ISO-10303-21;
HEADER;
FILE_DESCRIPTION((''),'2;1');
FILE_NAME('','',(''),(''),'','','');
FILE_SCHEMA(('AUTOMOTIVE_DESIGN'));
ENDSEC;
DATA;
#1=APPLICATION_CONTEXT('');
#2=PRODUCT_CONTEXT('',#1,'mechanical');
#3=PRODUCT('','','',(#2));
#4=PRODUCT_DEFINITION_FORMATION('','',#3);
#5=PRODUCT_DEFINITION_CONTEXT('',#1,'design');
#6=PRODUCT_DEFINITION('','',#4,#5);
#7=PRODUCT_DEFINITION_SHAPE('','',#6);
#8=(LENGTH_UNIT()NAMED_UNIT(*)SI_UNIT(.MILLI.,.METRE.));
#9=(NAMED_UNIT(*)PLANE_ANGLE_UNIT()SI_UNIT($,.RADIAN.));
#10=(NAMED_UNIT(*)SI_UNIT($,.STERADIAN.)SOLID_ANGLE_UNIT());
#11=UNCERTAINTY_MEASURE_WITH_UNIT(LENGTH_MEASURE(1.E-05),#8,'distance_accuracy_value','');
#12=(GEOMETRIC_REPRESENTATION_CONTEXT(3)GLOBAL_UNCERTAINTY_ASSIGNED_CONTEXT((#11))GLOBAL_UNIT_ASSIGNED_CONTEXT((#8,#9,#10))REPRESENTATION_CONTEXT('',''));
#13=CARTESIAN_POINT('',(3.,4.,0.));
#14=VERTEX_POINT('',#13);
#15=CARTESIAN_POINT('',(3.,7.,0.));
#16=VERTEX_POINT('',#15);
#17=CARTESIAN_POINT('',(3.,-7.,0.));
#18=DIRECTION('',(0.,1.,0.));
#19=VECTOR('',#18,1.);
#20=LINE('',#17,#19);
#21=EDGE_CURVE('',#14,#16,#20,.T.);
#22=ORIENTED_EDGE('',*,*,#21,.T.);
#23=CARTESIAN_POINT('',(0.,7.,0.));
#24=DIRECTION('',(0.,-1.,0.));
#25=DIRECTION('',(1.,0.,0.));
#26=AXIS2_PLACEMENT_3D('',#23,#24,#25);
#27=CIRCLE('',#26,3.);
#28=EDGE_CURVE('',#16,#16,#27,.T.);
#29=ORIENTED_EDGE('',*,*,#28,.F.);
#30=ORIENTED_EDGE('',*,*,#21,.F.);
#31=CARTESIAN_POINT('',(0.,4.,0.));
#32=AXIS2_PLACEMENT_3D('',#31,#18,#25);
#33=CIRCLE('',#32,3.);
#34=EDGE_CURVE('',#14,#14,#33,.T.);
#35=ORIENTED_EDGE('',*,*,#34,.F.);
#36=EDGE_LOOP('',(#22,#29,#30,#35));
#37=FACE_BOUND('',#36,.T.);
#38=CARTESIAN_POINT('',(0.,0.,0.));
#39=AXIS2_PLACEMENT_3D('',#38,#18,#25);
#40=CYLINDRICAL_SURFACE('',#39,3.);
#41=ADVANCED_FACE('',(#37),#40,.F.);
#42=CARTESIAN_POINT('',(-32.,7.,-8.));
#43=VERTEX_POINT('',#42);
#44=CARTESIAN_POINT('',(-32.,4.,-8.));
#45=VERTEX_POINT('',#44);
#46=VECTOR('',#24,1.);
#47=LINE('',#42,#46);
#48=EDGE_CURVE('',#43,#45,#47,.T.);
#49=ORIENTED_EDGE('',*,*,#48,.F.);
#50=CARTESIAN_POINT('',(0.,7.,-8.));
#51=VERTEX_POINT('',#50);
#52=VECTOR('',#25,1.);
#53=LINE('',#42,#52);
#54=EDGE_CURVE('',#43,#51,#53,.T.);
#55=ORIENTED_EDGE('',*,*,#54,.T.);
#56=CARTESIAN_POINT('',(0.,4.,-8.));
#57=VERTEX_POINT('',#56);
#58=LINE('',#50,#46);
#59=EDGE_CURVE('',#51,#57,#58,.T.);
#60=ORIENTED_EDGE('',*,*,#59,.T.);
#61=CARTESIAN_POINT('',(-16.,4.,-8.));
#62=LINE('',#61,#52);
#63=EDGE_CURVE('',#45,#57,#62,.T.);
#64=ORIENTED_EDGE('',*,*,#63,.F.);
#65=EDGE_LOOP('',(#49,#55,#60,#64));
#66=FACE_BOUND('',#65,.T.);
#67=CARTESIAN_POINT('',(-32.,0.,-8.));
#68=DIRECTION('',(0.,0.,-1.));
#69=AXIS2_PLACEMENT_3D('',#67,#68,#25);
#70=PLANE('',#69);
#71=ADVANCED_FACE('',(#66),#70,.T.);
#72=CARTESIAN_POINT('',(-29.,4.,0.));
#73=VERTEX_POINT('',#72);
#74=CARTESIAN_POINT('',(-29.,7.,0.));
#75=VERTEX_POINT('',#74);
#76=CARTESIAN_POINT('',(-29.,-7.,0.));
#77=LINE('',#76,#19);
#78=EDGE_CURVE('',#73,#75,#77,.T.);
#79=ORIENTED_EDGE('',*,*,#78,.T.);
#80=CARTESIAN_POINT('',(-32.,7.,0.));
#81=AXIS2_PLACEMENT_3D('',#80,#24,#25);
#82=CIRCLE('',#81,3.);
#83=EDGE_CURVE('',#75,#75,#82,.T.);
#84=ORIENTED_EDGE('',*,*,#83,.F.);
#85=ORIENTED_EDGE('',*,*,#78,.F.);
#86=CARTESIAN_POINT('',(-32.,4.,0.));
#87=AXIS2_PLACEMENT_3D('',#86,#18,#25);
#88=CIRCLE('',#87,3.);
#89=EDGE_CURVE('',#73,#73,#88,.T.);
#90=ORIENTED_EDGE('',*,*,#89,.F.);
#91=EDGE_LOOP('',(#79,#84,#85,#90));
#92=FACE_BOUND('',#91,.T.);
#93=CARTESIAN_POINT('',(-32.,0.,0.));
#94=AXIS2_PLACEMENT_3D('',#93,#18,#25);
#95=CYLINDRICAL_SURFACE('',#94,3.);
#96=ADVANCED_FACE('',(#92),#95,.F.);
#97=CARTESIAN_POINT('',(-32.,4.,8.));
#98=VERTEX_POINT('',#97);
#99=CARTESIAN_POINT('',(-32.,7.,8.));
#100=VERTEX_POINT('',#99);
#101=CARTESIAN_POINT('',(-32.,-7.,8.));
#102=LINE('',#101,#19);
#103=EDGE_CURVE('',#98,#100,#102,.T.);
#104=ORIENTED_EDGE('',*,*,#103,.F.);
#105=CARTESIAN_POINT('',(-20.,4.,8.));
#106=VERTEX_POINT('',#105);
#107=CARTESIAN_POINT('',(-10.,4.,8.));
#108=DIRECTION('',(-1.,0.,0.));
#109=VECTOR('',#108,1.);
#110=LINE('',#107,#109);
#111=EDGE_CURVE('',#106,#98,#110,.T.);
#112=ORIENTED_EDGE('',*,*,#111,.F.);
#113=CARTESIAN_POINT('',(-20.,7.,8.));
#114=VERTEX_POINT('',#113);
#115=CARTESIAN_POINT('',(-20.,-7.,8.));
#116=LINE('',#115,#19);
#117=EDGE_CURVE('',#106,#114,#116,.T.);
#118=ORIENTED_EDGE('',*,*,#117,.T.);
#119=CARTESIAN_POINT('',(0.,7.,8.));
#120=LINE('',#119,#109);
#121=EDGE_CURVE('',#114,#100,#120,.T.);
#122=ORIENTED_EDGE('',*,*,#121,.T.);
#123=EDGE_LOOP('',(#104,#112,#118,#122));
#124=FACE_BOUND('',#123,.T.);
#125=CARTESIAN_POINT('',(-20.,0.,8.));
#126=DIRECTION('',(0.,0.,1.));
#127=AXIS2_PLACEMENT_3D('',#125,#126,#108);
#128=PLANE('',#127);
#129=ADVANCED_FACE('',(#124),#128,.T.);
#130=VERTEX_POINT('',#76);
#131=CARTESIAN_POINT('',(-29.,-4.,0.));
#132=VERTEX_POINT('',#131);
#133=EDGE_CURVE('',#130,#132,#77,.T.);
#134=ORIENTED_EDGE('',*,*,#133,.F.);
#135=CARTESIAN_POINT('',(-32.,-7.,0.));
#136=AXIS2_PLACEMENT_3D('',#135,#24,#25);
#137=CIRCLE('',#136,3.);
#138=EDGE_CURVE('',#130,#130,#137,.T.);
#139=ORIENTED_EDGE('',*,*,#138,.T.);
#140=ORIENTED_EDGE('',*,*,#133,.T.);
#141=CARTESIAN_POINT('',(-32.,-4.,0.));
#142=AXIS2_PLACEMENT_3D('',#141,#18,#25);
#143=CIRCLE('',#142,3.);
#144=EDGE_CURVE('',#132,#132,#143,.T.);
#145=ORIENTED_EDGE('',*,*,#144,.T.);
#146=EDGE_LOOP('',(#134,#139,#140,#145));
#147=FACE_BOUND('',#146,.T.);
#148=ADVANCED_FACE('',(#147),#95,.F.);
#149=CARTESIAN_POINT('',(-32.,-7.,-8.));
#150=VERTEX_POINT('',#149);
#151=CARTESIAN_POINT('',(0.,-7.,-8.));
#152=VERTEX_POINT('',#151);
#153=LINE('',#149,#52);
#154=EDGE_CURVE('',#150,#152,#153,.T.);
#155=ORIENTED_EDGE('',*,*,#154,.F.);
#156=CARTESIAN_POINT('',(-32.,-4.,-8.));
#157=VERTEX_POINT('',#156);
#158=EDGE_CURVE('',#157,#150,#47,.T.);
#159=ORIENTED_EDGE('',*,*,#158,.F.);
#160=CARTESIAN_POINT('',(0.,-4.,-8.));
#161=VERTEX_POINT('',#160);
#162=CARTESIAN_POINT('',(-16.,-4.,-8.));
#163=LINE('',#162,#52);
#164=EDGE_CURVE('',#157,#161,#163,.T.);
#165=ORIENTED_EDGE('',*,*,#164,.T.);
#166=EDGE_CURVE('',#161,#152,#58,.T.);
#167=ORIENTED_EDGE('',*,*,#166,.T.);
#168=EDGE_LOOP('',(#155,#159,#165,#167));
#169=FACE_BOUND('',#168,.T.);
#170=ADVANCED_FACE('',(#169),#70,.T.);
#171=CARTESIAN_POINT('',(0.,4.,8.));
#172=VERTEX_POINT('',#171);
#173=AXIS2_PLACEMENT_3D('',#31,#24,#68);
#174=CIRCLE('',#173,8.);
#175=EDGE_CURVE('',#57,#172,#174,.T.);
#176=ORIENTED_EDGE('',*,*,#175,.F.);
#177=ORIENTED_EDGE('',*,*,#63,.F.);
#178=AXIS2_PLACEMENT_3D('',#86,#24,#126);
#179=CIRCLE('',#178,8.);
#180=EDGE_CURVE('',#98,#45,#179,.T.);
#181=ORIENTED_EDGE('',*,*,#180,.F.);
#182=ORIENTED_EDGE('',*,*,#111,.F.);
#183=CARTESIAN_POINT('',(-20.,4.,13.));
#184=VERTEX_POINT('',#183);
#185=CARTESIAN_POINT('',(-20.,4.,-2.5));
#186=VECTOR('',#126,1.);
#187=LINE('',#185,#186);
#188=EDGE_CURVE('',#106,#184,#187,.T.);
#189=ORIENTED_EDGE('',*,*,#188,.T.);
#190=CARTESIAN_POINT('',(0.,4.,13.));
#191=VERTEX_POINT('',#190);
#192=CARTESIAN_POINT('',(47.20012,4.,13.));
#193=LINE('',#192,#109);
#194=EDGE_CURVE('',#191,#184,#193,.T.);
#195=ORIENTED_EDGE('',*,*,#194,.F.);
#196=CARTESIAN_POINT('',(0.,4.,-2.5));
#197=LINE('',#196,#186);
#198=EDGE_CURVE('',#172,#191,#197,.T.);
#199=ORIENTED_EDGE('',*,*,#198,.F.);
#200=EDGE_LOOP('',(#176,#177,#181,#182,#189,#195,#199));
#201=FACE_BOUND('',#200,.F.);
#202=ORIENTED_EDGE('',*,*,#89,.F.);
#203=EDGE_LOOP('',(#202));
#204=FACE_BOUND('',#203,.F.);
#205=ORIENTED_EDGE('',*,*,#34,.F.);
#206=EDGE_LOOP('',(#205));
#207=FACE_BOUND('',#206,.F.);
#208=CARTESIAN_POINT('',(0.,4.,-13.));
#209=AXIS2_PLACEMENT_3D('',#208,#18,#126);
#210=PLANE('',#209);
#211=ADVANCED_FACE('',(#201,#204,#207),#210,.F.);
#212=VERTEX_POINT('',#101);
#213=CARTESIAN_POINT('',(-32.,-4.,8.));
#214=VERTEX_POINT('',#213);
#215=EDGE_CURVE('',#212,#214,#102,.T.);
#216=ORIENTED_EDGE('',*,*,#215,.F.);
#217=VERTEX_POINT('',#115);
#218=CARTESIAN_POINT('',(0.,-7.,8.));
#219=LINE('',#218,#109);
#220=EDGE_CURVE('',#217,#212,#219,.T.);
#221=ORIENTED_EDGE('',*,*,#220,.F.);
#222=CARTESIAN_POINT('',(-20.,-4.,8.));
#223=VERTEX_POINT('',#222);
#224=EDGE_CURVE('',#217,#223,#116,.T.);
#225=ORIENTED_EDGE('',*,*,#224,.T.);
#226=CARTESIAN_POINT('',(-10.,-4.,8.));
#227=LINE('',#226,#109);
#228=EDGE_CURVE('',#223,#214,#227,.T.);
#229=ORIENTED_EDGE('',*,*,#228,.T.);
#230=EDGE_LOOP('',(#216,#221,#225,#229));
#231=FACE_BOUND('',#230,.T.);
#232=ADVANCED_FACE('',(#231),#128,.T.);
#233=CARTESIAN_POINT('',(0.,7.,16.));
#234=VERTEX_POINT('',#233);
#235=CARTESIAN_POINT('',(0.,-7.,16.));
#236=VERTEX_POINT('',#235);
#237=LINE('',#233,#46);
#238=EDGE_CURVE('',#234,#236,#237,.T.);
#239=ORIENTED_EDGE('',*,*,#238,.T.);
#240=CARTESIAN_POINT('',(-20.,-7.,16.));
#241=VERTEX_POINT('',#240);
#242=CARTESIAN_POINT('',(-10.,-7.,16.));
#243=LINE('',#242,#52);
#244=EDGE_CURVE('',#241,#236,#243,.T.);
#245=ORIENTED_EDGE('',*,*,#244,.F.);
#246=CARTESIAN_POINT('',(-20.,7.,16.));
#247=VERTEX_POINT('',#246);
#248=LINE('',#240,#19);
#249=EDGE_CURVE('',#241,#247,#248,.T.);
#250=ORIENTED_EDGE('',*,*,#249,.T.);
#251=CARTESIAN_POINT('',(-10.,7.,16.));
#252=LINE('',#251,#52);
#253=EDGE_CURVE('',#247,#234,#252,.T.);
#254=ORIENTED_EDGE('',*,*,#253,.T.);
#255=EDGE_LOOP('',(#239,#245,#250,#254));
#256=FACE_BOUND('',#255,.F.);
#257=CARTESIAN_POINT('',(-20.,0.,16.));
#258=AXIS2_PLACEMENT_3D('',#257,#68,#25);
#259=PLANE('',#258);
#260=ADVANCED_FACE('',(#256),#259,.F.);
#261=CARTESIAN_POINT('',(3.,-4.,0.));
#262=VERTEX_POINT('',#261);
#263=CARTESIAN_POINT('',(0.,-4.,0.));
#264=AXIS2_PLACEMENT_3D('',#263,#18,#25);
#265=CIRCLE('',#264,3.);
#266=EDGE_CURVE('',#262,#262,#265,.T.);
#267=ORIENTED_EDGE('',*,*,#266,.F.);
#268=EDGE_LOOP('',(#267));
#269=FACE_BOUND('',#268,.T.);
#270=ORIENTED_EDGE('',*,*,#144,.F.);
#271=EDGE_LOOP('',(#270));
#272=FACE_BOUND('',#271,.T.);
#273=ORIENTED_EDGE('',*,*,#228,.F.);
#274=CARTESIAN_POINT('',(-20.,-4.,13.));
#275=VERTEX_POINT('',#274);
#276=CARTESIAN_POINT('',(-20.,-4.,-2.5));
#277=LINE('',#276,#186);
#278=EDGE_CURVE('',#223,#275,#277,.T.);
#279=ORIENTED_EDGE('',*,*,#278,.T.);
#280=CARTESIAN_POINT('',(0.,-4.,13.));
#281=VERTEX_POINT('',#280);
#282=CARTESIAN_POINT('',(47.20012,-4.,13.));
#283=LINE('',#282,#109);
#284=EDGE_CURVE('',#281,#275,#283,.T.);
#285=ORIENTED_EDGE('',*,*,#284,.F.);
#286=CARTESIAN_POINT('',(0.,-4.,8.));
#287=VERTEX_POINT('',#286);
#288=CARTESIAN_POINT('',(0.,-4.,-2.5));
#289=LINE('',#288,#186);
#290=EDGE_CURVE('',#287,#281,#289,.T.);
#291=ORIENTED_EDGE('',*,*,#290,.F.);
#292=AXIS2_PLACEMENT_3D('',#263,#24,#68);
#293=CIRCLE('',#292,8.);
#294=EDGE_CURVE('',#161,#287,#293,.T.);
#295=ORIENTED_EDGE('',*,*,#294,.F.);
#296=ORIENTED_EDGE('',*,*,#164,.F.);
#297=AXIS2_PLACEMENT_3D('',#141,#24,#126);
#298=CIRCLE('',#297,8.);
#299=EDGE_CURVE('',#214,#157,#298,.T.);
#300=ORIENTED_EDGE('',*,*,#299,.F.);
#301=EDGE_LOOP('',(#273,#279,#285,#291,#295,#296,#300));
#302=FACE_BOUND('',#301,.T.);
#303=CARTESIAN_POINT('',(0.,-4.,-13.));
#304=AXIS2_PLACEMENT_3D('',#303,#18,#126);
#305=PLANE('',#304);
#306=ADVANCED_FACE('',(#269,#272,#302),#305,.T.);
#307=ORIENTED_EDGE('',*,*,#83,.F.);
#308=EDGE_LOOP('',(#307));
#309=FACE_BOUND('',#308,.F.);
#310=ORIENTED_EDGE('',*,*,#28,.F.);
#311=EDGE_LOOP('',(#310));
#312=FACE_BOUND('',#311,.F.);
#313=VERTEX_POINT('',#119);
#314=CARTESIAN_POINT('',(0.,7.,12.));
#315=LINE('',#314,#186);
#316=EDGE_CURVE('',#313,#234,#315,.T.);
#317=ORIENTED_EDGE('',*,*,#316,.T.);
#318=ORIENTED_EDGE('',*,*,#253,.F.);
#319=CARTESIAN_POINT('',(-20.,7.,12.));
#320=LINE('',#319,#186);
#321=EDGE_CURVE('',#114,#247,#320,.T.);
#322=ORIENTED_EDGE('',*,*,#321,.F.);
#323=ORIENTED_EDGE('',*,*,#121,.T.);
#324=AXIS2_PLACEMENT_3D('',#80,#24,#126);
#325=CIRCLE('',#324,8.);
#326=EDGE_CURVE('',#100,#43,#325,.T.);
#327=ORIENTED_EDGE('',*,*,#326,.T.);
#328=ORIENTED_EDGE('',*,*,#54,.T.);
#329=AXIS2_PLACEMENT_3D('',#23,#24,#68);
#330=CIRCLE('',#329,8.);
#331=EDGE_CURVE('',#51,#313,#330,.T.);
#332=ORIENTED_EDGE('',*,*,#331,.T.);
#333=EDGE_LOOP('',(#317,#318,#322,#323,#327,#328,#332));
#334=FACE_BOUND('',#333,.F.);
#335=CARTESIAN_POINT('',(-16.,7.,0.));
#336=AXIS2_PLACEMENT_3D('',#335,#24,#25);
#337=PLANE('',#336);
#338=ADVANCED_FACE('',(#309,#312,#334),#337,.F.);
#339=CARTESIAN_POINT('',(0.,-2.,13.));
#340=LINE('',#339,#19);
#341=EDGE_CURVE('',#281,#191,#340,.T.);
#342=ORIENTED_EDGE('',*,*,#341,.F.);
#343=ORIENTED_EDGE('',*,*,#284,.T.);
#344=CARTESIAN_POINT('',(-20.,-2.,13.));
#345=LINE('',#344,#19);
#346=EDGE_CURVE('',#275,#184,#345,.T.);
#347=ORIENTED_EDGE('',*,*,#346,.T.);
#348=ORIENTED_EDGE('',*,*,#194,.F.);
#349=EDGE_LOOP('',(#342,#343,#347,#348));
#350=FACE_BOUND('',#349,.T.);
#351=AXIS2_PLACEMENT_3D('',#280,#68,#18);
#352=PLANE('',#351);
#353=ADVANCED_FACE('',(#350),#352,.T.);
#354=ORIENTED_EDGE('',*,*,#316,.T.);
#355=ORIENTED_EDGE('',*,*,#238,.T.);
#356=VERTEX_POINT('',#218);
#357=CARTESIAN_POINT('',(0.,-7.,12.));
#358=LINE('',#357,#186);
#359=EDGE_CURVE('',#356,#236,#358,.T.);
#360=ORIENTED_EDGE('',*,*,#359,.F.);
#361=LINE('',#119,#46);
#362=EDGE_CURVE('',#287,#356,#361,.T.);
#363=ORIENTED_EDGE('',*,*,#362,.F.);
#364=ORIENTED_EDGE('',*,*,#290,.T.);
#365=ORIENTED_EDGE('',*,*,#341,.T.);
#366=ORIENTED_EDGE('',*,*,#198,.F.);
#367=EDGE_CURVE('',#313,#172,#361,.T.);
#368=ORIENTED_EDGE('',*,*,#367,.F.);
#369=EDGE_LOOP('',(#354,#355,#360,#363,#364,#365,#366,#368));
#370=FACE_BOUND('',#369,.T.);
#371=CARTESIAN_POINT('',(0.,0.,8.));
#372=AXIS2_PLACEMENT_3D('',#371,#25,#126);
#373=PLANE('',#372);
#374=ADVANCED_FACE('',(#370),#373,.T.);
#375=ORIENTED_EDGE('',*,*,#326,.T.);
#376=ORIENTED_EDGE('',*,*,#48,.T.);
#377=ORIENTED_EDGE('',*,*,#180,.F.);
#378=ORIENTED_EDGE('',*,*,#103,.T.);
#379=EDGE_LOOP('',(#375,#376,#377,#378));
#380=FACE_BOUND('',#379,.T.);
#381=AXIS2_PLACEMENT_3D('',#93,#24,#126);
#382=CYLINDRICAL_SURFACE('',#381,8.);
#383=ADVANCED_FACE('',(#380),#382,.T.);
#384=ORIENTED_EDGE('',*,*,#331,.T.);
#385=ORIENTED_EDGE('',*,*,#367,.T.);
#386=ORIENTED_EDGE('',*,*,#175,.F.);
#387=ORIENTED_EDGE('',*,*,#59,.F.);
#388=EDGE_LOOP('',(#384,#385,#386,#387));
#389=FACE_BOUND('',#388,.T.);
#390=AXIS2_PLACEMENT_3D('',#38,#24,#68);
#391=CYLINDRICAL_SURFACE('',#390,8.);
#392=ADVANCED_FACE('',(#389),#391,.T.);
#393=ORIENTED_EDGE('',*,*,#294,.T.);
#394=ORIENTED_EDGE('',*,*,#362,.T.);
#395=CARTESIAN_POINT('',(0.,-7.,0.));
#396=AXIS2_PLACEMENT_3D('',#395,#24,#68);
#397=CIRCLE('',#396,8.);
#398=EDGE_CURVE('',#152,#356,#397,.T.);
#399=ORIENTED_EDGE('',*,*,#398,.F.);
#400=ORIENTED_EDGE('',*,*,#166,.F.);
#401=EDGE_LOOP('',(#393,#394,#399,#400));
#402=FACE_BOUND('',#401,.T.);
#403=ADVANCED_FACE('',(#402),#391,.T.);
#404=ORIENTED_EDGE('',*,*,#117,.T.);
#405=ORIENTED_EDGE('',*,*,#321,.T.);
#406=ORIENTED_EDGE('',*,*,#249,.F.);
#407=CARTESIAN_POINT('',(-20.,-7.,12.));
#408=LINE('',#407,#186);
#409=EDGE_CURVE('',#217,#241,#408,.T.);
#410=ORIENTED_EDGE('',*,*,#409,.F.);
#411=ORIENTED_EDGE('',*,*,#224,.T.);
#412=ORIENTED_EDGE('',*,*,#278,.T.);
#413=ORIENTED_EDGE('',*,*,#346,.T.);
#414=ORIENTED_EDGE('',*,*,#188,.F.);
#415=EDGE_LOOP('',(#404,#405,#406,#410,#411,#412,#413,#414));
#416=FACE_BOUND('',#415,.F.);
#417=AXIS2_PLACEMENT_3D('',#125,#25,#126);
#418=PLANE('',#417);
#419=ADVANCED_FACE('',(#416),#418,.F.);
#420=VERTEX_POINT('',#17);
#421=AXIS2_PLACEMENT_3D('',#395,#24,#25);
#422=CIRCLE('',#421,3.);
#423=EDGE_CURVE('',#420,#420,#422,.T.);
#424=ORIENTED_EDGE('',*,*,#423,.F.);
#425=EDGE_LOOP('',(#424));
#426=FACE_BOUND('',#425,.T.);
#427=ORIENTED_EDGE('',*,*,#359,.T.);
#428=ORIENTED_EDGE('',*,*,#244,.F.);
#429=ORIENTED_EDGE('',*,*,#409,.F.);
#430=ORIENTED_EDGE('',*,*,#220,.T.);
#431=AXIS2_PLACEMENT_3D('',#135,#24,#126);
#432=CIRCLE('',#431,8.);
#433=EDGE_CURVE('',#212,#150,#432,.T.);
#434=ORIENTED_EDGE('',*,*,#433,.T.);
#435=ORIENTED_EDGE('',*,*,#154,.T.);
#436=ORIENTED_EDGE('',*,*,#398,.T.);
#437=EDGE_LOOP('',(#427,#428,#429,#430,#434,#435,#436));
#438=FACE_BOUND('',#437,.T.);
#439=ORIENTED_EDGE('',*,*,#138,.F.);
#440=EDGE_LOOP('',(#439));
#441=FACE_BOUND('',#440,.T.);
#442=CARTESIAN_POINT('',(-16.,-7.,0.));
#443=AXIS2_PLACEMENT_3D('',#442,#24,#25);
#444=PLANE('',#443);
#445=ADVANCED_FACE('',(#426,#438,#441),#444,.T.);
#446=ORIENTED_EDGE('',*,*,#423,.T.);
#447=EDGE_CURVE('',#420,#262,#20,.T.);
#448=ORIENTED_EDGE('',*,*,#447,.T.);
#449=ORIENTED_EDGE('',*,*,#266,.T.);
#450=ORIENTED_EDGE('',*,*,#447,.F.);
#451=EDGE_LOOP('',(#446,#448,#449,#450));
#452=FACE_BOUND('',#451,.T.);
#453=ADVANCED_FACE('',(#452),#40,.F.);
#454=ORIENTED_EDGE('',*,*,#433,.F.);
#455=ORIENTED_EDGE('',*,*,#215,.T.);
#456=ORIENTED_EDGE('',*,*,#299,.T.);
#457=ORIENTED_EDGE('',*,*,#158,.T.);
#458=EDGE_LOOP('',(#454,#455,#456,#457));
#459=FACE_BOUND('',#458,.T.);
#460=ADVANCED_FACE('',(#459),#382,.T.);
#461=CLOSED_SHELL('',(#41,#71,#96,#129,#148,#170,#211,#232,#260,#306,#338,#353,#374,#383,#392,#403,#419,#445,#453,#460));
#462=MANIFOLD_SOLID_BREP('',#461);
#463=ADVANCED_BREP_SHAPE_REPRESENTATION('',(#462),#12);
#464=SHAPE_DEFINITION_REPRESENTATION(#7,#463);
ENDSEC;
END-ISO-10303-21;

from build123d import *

# Parameters (mm, degrees)
F0_R     = 3
F0_W     = 20
F0_H     = 8
F1_DEPTH = 7
F2_W     = 8
F2_H     = 26
F3_DEPTH = 47.20012


with BuildPart() as f1:
    # F0 (on Front) → F1 (new body, symmetric)
    with BuildSketch(Plane.XZ):
        with BuildLine():
            ThreePointArc((-32, 8), (-40, 0), (-32, -8))
            Line((-32, -8), (0, -8))
            ThreePointArc((0, -8), (8, 0), (0, 8))
            Line((0, 8), (-20, 8))
            Line((-20, 8), (-32, 8))
        make_face()
        with Locations((-32, 0)):
            Circle(F0_R, mode=Mode.SUBTRACT)
        Circle(F0_R, mode=Mode.SUBTRACT)
        with Locations((-10, 12)):
            Rectangle(F0_W, F0_H)
    extrude(amount=F1_DEPTH, both=True)

    # F2 (on Right) → F3 (cut, symmetric)
    with BuildSketch(Plane.YZ):
        Rectangle(F2_W, F2_H)
    extrude(amount=F3_DEPTH, both=True, mode=Mode.SUBTRACT)


solid = f1.part
